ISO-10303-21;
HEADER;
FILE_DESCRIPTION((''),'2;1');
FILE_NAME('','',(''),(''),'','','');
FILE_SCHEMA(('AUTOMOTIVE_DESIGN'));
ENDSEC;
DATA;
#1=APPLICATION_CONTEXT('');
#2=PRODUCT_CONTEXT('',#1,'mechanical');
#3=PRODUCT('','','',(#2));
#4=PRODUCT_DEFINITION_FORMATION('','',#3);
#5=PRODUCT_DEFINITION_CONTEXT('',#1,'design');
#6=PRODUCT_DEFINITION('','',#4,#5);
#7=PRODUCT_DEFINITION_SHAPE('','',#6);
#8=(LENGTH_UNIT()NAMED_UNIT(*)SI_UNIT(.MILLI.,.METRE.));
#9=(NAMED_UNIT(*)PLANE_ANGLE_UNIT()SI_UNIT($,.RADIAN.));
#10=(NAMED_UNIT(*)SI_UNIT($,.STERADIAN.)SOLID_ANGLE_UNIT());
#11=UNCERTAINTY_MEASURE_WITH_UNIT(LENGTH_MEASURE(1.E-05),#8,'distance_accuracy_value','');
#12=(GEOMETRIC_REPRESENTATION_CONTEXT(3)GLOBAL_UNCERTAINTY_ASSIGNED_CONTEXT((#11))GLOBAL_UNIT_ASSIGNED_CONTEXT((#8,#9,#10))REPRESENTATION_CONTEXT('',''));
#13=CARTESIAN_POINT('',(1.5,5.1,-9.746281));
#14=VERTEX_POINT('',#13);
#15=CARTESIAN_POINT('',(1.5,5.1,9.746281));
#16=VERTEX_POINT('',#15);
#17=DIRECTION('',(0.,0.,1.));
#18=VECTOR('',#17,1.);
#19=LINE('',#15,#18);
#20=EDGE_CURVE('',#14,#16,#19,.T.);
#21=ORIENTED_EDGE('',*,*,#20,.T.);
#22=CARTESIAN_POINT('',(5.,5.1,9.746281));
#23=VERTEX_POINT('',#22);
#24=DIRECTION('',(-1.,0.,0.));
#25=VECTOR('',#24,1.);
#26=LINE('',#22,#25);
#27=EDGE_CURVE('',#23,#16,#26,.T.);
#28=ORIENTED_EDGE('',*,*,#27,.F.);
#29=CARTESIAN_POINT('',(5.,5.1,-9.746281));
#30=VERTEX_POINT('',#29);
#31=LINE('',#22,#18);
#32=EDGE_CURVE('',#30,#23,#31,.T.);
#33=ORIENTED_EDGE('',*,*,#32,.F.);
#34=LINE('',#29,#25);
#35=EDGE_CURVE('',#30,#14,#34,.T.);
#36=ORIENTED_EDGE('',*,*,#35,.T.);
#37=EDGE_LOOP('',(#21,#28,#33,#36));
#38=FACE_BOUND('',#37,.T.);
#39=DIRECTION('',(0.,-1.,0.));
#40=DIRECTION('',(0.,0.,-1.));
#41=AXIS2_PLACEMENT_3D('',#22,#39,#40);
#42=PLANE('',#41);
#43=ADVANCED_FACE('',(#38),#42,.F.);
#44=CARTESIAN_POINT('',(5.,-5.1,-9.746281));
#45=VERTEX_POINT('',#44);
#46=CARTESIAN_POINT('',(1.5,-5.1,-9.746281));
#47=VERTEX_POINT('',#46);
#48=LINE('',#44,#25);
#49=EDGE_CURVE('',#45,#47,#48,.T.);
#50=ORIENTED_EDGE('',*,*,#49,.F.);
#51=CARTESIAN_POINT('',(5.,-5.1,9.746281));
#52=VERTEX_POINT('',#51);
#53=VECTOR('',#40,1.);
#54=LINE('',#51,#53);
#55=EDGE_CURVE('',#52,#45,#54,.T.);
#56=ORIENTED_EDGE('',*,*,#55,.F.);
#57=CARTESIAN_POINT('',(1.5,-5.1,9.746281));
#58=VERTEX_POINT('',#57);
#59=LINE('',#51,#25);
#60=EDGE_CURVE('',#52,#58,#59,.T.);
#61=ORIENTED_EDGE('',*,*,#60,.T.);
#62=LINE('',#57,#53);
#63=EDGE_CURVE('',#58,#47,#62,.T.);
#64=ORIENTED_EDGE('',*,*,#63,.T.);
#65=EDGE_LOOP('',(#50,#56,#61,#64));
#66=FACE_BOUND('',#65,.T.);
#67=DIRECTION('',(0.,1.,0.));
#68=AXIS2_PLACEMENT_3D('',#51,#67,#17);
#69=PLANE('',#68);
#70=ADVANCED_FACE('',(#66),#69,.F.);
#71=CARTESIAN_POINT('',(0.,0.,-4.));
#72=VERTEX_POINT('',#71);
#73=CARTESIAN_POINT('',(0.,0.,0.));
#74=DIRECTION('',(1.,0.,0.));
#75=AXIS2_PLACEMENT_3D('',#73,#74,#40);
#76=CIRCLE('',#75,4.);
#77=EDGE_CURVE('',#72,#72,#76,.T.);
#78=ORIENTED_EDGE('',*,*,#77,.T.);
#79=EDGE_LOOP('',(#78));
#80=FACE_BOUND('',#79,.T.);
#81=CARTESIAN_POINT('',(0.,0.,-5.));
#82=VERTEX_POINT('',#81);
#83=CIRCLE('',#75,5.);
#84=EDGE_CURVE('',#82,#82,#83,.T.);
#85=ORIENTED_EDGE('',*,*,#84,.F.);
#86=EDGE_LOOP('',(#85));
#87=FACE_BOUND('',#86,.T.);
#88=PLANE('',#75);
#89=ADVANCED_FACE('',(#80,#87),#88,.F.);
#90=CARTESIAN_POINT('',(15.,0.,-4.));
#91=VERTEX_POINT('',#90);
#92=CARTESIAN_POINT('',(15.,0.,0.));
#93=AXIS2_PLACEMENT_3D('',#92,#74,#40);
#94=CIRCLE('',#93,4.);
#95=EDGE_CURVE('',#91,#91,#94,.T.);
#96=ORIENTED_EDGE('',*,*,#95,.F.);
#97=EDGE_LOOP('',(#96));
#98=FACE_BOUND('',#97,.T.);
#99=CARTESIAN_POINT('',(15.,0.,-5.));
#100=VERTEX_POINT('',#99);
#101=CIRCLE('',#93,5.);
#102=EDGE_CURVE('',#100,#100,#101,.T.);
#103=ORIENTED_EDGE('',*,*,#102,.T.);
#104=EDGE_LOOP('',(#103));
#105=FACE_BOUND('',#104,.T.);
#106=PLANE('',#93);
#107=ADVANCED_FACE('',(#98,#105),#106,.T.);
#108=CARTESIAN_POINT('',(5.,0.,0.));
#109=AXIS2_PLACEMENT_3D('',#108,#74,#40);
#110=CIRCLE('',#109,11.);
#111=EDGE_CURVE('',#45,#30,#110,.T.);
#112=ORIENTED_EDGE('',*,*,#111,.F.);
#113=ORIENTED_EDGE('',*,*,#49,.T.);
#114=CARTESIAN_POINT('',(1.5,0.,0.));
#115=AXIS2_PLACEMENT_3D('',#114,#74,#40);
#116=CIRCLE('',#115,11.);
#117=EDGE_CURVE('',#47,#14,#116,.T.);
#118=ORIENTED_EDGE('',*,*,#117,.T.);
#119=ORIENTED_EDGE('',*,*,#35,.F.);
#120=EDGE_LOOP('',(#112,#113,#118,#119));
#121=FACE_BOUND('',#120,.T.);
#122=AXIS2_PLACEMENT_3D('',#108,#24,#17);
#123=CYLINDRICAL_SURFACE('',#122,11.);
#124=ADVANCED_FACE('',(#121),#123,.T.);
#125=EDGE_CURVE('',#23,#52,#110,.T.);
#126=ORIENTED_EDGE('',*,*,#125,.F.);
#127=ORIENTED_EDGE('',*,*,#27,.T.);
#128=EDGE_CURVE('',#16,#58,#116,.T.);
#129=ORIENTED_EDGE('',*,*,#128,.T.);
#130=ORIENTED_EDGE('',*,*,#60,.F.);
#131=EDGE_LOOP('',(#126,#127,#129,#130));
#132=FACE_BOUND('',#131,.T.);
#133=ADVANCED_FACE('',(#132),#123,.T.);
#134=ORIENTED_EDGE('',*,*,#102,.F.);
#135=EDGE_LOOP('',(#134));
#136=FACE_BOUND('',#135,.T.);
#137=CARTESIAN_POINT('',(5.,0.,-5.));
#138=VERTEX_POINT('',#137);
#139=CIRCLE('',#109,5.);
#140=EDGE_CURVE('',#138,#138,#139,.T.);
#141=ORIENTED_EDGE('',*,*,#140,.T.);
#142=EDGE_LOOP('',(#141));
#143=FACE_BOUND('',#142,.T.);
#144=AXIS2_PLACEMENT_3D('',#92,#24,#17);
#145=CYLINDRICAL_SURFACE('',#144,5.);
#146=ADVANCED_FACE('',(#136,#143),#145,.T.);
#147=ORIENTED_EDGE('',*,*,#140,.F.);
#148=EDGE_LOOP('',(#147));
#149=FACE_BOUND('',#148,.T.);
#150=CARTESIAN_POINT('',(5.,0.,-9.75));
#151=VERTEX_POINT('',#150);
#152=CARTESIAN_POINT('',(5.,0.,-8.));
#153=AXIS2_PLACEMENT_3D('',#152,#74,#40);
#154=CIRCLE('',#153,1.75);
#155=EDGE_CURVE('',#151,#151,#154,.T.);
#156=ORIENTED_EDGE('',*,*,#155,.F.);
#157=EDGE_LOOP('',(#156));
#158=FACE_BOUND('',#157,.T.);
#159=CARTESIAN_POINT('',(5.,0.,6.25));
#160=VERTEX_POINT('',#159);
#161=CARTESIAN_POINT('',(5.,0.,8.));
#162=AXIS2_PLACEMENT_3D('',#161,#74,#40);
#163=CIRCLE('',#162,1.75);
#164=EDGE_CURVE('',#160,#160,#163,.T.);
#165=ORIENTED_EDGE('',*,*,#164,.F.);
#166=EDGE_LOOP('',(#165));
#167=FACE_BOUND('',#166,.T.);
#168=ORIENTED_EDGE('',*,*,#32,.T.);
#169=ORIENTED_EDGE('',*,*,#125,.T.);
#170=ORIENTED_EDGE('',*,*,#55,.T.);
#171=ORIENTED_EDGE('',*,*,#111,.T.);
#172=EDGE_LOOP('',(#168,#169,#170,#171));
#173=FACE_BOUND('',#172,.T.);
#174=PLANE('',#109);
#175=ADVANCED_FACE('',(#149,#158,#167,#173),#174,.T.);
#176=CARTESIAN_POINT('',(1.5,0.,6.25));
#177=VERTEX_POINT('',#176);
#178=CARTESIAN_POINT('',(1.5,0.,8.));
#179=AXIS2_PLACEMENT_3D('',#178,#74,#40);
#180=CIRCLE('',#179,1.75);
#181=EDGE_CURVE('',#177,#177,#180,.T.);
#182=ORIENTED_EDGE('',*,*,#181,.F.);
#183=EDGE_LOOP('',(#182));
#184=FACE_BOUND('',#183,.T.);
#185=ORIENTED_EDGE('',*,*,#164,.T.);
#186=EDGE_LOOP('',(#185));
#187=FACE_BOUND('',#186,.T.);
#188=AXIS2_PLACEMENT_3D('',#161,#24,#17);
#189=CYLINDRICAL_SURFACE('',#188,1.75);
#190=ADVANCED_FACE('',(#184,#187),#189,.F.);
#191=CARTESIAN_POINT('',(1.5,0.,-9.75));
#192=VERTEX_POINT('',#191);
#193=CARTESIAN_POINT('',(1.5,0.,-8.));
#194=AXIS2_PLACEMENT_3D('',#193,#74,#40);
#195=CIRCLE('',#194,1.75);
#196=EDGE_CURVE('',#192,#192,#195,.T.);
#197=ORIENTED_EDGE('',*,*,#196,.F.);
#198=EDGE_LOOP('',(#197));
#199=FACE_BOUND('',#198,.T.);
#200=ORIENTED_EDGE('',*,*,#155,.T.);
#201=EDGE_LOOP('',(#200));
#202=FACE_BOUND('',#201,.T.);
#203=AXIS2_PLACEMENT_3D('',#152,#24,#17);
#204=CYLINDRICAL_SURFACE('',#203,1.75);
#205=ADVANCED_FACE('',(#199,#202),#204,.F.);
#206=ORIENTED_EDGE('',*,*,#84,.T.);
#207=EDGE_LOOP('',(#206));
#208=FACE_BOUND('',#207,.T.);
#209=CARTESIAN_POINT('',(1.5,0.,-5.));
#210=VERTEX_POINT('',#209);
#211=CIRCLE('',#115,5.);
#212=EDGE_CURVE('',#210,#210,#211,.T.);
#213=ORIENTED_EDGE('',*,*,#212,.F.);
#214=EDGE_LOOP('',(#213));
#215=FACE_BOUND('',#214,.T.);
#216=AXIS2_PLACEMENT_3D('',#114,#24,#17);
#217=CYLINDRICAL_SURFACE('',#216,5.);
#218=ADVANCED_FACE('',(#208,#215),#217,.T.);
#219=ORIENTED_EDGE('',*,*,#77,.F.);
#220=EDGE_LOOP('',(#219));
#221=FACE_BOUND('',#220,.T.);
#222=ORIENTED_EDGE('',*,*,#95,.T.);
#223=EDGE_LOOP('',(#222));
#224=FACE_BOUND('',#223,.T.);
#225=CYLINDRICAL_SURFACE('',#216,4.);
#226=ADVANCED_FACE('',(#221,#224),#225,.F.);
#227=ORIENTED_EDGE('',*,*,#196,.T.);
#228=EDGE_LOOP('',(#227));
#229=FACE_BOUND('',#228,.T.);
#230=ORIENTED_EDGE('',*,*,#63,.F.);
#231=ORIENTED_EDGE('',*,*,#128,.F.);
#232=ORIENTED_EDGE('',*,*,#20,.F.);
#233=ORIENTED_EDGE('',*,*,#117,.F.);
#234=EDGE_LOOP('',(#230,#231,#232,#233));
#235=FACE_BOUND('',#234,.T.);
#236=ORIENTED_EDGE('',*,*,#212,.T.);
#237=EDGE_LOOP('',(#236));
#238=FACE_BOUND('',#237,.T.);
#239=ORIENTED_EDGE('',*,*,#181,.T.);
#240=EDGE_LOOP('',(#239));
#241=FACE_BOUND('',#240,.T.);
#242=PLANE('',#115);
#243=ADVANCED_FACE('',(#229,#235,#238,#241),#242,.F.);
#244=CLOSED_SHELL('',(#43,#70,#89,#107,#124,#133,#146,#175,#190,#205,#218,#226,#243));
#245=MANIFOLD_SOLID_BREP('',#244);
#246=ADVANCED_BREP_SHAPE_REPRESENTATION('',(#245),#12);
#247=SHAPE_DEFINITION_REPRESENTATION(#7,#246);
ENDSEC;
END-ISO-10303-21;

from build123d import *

# Parameters (mm, degrees)
SKETCH_1_R      = 5
SKETCH_1_R_2    = 4
EXTRUDE_1_DEPTH = 1.5
SKETCH_2_R      = 4
SKETCH_2_R_2    = 1.75
EXTRUDE_2_DEPTH = 3.5
SKETCH_3_R      = 5
SKETCH_3_R_2    = 4
EXTRUDE_3_DEPTH = 10


with BuildPart() as part:
    # 草图1 → 凸台-拉伸1 (new body)
    with BuildSketch(Plane(origin=(0, 0, 0), x_dir=(0, 0, -1), z_dir=(1, 0, 0))):
        Circle(SKETCH_1_R)
        Circle(SKETCH_1_R_2, mode=Mode.SUBTRACT)
    extrude(amount=EXTRUDE_1_DEPTH)

    # 草图2 → 凸台-拉伸2 (add)
    with BuildSketch(Plane(origin=(1.5, 0, 0), x_dir=(0, 0, -1), z_dir=(1, 0, 0))):
        with BuildLine():
            Line((-9.746281342, 5.1), (9.746281342, 5.1))
            ThreePointArc((9.746281342, 5.1), (11, 0), (9.746281342, -5.1))
            Line((9.746281342, -5.1), (-9.746281342, -5.1))
            ThreePointArc((-9.746281342, -5.1), (-11, 0), (-9.746281342, 5.1))
        make_face()
        Circle(SKETCH_2_R, mode=Mode.SUBTRACT)
        with Locations((-8, 0)):
            Circle(SKETCH_2_R_2, mode=Mode.SUBTRACT)
        with Locations((8, 0)):
            Circle(SKETCH_2_R_2, mode=Mode.SUBTRACT)
    extrude(amount=EXTRUDE_2_DEPTH)

    # 草图3 → 凸台-拉伸3 (add)
    with BuildSketch(Plane(origin=(5, 0, 0), x_dir=(0, 0, -1), z_dir=(1, 0, 0))):
        Circle(SKETCH_3_R)
        Circle(SKETCH_3_R_2, mode=Mode.SUBTRACT)
    extrude(amount=EXTRUDE_3_DEPTH)


solid = part.part
